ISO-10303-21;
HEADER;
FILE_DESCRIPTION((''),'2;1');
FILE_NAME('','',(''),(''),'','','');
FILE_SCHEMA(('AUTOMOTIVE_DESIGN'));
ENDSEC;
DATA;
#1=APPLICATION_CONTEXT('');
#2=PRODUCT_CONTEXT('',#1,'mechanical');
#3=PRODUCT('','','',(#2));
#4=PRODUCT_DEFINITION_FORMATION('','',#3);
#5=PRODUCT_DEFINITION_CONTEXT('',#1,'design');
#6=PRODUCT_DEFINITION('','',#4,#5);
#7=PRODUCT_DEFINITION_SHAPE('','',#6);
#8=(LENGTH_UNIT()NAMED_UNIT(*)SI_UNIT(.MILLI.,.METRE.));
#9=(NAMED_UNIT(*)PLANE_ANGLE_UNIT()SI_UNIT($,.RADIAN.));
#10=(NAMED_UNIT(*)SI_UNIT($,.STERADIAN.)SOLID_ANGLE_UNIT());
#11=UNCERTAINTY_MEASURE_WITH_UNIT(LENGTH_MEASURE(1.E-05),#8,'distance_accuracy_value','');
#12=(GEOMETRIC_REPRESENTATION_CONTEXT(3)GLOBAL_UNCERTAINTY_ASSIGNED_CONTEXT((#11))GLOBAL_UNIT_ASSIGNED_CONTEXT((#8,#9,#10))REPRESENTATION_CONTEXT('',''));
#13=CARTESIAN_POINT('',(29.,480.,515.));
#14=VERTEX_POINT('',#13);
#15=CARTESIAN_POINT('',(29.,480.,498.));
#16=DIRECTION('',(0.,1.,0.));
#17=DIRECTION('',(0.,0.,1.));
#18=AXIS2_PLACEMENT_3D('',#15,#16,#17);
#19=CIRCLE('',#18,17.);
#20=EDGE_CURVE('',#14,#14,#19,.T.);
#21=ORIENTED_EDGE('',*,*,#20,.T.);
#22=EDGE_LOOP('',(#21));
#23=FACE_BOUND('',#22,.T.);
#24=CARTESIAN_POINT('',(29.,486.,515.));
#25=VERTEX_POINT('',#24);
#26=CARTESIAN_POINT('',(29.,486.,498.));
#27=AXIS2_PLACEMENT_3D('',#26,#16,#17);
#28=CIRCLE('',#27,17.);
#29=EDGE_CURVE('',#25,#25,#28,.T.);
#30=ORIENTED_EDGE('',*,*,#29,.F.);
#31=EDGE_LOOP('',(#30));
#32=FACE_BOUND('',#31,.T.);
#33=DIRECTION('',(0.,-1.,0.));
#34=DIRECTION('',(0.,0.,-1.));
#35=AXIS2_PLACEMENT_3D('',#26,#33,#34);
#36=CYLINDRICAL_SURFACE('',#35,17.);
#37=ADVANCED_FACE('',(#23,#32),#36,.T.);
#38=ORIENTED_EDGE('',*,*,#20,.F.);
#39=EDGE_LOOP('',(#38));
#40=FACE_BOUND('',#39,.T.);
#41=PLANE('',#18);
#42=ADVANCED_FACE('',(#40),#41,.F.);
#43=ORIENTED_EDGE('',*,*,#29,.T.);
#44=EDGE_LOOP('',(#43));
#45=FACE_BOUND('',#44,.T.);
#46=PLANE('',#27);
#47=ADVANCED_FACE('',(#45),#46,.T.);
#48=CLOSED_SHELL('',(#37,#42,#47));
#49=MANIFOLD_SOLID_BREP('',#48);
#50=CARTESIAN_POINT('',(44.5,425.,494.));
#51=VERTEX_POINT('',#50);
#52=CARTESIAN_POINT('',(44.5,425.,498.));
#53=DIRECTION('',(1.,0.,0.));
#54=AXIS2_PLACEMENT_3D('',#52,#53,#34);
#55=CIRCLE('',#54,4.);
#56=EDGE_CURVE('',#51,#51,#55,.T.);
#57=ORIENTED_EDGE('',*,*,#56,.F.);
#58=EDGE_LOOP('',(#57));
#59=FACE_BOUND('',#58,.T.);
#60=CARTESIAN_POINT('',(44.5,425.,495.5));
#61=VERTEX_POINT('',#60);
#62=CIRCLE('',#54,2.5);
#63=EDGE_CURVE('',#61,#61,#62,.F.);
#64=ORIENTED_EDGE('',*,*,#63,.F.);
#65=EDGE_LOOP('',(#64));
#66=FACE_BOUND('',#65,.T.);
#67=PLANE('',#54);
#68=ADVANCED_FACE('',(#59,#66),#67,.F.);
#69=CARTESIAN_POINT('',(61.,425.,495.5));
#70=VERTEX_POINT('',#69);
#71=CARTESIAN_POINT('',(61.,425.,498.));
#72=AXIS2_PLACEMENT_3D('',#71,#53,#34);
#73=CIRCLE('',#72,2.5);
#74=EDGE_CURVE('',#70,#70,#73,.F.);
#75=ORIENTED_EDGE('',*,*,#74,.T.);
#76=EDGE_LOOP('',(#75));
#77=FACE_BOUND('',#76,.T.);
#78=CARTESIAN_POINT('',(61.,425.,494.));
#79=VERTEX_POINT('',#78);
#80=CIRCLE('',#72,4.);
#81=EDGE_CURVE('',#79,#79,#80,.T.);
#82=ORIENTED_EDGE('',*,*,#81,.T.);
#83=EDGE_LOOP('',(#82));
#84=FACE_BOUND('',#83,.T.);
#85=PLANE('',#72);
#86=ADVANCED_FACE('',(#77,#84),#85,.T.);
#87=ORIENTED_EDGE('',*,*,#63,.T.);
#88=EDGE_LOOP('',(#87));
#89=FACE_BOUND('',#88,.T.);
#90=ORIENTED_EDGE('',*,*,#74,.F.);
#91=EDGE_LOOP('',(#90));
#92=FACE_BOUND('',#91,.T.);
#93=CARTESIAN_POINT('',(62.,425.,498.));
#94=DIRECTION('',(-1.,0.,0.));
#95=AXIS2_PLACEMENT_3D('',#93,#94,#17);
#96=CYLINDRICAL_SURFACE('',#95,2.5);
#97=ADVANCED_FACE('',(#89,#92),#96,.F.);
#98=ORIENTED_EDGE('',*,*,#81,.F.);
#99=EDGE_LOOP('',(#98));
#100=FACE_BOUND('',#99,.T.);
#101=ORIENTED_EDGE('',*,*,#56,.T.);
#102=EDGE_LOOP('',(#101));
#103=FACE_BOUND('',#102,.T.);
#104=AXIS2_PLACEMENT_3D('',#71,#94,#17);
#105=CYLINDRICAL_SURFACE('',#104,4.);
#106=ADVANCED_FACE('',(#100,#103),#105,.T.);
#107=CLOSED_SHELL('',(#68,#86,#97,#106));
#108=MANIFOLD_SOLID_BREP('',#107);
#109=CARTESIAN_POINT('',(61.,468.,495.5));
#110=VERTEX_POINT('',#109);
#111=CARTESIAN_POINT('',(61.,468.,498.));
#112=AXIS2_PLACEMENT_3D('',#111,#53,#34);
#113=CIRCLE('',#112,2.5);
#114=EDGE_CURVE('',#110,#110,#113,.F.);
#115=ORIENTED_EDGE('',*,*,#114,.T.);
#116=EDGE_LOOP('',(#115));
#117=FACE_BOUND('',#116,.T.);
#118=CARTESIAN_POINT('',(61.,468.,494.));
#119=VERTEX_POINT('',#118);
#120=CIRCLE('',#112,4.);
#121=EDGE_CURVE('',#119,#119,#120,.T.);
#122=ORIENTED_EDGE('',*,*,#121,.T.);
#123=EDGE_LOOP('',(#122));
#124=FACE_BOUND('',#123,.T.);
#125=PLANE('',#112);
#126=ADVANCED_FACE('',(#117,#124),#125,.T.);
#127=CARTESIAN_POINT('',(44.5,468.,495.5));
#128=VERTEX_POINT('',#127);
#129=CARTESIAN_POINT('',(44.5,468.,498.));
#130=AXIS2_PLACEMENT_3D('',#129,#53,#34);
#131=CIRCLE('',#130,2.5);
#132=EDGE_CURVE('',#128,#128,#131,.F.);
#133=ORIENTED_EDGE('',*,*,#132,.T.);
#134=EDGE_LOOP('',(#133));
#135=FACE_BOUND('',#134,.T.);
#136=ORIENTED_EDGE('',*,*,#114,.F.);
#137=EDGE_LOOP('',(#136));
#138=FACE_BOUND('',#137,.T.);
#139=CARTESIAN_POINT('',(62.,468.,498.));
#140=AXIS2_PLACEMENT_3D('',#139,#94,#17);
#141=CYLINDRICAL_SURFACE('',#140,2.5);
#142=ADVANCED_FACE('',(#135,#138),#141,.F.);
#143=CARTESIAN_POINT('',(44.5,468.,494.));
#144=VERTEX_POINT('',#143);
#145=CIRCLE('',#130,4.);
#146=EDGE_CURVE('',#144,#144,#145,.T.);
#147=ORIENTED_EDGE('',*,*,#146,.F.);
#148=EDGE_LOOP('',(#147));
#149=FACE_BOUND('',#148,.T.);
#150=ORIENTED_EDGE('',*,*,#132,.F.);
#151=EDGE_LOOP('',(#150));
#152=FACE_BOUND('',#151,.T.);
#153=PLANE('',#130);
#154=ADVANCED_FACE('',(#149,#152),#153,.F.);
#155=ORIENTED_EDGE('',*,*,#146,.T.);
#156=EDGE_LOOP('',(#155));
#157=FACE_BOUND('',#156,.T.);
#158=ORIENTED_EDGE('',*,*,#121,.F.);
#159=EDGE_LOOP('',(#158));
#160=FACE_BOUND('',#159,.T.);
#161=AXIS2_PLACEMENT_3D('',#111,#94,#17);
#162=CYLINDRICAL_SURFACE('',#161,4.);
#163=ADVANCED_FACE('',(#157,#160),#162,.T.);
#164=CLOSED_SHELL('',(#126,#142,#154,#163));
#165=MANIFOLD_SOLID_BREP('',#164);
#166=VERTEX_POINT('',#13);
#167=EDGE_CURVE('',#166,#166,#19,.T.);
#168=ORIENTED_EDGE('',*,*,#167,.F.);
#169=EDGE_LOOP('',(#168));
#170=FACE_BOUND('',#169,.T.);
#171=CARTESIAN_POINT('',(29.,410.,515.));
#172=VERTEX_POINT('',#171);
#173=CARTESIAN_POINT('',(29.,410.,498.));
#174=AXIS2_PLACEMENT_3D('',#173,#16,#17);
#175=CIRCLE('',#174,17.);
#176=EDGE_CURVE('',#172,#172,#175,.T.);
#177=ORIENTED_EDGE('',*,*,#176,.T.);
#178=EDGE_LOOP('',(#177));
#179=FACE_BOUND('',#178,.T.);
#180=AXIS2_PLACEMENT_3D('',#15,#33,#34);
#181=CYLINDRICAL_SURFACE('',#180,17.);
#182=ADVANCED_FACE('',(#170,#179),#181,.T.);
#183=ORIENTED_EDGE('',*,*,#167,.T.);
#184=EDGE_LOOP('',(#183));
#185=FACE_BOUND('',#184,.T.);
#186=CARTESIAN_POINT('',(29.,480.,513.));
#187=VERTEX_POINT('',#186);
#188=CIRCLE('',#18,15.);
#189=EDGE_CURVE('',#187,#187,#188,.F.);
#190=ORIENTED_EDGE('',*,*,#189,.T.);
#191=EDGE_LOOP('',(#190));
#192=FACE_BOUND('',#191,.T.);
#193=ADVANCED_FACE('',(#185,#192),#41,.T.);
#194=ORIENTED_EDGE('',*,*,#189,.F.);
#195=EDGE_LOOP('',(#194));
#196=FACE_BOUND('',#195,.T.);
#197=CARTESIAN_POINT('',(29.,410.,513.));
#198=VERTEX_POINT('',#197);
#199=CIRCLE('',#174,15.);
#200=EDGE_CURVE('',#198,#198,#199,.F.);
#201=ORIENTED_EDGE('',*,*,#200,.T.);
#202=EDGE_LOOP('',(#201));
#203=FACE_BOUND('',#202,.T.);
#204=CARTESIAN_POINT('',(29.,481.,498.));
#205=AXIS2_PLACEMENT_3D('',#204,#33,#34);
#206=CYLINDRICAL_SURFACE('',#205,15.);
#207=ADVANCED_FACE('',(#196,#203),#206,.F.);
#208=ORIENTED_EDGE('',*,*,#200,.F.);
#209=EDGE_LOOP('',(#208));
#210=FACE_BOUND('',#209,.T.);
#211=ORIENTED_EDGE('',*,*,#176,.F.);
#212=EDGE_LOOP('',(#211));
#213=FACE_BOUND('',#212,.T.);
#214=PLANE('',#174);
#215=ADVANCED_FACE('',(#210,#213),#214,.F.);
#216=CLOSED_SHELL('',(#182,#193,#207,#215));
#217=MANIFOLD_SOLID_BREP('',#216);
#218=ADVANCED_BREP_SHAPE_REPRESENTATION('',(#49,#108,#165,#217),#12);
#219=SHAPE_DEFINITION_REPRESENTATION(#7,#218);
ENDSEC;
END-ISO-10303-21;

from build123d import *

# Parameters (mm, degrees)
SLEEVE_START        = 410
SKETCH1_R           = 17
SLEEVE_DEPTH        = 70
BORE_START          = 409
SKETCH2_R           = 15
BORE_DEPTH          = 72
CAP_START           = 480
SKETCH3_R           = 17
CAP_DEPTH           = 6
SPIGOT_425_START    = 44.5
SKETCH4_R           = 4
SPIGOT_425_DEPTH    = 16.5
SPIGOT_BORE_START   = 44
SKETCH5_R           = 2.5
SPIGOT_BORE_DEPTH   = 18
SPIGOT_468_START    = 44.5
SKETCH6_R           = 4
SPIGOT_468_DEPTH    = 16.5
BOSS_EXTRUDE7_START = 44
SKETCH7_R           = 2.5
BOSS_EXTRUDE7_DEPTH = 18


with BuildPart() as part:
    # Sketch1 → sleeve (new body)
    with BuildSketch(Plane(origin=(0, 0, 0), x_dir=(1, 0, 0), z_dir=(0, 1, 0)).offset(SLEEVE_START)):
        with Locations((29, -498)):
            Circle(SKETCH1_R)
    extrude(amount=SLEEVE_DEPTH)


with BuildPart() as body_2:
    # Sketch2 → bore (new body)
    with BuildSketch(Plane(origin=(0, 0, 0), x_dir=(1, 0, 0), z_dir=(0, 1, 0)).offset(BORE_START)):
        with Locations((29, -498)):
            Circle(SKETCH2_R)
    extrude(amount=BORE_DEPTH)


with BuildPart() as part_1:
    add(part.part)

    # Combine1: cut body 2
    add(body_2.part, mode=Mode.SUBTRACT)


with BuildPart() as body_2_2:
    # Sketch3 → cap (new body)
    with BuildSketch(Plane(origin=(0, 0, 0), x_dir=(1, 0, 0), z_dir=(0, 1, 0)).offset(CAP_START)):
        with Locations((29, -498)):
            Circle(SKETCH3_R)
    extrude(amount=CAP_DEPTH)


with BuildPart() as body_3:
    # Sketch4 → spigot_425 (new body)
    with BuildSketch(Plane(origin=(0, 0, 0), x_dir=(0, 0, -1), z_dir=(1, 0, 0)).offset(SPIGOT_425_START)):
        with Locations((-498, 425)):
            Circle(SKETCH4_R)
    extrude(amount=SPIGOT_425_DEPTH)


with BuildPart() as body_4:
    # Sketch5 → spigot_bore (new body)
    with BuildSketch(Plane(origin=(0, 0, 0), x_dir=(0, 0, -1), z_dir=(1, 0, 0)).offset(SPIGOT_BORE_START)):
        with Locations((-498, 425)):
            Circle(SKETCH5_R)
    extrude(amount=SPIGOT_BORE_DEPTH)


with BuildPart() as body_3_1:
    add(body_3.part)

    # Combine2: cut body 4
    add(body_4.part, mode=Mode.SUBTRACT)


with BuildPart() as body_4_2:
    # Sketch6 → spigot_468 (new body)
    with BuildSketch(Plane(origin=(0, 0, 0), x_dir=(0, 0, -1), z_dir=(1, 0, 0)).offset(SPIGOT_468_START)):
        with Locations((-498, 468)):
            Circle(SKETCH6_R)
    extrude(amount=SPIGOT_468_DEPTH)


with BuildPart() as body_5:
    # Sketch7 → Boss-Extrude7 (new body)
    with BuildSketch(Plane(origin=(0, 0, 0), x_dir=(0, 0, -1), z_dir=(1, 0, 0)).offset(BOSS_EXTRUDE7_START)):
        with Locations((-498, 468)):
            Circle(SKETCH7_R)
    extrude(amount=BOSS_EXTRUDE7_DEPTH)


with BuildPart() as body_4_2_1:
    add(body_4_2.part)

    # Combine3: cut body 5
    add(body_5.part, mode=Mode.SUBTRACT)


solid = Compound([part_1.part, body_2_2.part, body_3_1.part, body_4_2_1.part])
